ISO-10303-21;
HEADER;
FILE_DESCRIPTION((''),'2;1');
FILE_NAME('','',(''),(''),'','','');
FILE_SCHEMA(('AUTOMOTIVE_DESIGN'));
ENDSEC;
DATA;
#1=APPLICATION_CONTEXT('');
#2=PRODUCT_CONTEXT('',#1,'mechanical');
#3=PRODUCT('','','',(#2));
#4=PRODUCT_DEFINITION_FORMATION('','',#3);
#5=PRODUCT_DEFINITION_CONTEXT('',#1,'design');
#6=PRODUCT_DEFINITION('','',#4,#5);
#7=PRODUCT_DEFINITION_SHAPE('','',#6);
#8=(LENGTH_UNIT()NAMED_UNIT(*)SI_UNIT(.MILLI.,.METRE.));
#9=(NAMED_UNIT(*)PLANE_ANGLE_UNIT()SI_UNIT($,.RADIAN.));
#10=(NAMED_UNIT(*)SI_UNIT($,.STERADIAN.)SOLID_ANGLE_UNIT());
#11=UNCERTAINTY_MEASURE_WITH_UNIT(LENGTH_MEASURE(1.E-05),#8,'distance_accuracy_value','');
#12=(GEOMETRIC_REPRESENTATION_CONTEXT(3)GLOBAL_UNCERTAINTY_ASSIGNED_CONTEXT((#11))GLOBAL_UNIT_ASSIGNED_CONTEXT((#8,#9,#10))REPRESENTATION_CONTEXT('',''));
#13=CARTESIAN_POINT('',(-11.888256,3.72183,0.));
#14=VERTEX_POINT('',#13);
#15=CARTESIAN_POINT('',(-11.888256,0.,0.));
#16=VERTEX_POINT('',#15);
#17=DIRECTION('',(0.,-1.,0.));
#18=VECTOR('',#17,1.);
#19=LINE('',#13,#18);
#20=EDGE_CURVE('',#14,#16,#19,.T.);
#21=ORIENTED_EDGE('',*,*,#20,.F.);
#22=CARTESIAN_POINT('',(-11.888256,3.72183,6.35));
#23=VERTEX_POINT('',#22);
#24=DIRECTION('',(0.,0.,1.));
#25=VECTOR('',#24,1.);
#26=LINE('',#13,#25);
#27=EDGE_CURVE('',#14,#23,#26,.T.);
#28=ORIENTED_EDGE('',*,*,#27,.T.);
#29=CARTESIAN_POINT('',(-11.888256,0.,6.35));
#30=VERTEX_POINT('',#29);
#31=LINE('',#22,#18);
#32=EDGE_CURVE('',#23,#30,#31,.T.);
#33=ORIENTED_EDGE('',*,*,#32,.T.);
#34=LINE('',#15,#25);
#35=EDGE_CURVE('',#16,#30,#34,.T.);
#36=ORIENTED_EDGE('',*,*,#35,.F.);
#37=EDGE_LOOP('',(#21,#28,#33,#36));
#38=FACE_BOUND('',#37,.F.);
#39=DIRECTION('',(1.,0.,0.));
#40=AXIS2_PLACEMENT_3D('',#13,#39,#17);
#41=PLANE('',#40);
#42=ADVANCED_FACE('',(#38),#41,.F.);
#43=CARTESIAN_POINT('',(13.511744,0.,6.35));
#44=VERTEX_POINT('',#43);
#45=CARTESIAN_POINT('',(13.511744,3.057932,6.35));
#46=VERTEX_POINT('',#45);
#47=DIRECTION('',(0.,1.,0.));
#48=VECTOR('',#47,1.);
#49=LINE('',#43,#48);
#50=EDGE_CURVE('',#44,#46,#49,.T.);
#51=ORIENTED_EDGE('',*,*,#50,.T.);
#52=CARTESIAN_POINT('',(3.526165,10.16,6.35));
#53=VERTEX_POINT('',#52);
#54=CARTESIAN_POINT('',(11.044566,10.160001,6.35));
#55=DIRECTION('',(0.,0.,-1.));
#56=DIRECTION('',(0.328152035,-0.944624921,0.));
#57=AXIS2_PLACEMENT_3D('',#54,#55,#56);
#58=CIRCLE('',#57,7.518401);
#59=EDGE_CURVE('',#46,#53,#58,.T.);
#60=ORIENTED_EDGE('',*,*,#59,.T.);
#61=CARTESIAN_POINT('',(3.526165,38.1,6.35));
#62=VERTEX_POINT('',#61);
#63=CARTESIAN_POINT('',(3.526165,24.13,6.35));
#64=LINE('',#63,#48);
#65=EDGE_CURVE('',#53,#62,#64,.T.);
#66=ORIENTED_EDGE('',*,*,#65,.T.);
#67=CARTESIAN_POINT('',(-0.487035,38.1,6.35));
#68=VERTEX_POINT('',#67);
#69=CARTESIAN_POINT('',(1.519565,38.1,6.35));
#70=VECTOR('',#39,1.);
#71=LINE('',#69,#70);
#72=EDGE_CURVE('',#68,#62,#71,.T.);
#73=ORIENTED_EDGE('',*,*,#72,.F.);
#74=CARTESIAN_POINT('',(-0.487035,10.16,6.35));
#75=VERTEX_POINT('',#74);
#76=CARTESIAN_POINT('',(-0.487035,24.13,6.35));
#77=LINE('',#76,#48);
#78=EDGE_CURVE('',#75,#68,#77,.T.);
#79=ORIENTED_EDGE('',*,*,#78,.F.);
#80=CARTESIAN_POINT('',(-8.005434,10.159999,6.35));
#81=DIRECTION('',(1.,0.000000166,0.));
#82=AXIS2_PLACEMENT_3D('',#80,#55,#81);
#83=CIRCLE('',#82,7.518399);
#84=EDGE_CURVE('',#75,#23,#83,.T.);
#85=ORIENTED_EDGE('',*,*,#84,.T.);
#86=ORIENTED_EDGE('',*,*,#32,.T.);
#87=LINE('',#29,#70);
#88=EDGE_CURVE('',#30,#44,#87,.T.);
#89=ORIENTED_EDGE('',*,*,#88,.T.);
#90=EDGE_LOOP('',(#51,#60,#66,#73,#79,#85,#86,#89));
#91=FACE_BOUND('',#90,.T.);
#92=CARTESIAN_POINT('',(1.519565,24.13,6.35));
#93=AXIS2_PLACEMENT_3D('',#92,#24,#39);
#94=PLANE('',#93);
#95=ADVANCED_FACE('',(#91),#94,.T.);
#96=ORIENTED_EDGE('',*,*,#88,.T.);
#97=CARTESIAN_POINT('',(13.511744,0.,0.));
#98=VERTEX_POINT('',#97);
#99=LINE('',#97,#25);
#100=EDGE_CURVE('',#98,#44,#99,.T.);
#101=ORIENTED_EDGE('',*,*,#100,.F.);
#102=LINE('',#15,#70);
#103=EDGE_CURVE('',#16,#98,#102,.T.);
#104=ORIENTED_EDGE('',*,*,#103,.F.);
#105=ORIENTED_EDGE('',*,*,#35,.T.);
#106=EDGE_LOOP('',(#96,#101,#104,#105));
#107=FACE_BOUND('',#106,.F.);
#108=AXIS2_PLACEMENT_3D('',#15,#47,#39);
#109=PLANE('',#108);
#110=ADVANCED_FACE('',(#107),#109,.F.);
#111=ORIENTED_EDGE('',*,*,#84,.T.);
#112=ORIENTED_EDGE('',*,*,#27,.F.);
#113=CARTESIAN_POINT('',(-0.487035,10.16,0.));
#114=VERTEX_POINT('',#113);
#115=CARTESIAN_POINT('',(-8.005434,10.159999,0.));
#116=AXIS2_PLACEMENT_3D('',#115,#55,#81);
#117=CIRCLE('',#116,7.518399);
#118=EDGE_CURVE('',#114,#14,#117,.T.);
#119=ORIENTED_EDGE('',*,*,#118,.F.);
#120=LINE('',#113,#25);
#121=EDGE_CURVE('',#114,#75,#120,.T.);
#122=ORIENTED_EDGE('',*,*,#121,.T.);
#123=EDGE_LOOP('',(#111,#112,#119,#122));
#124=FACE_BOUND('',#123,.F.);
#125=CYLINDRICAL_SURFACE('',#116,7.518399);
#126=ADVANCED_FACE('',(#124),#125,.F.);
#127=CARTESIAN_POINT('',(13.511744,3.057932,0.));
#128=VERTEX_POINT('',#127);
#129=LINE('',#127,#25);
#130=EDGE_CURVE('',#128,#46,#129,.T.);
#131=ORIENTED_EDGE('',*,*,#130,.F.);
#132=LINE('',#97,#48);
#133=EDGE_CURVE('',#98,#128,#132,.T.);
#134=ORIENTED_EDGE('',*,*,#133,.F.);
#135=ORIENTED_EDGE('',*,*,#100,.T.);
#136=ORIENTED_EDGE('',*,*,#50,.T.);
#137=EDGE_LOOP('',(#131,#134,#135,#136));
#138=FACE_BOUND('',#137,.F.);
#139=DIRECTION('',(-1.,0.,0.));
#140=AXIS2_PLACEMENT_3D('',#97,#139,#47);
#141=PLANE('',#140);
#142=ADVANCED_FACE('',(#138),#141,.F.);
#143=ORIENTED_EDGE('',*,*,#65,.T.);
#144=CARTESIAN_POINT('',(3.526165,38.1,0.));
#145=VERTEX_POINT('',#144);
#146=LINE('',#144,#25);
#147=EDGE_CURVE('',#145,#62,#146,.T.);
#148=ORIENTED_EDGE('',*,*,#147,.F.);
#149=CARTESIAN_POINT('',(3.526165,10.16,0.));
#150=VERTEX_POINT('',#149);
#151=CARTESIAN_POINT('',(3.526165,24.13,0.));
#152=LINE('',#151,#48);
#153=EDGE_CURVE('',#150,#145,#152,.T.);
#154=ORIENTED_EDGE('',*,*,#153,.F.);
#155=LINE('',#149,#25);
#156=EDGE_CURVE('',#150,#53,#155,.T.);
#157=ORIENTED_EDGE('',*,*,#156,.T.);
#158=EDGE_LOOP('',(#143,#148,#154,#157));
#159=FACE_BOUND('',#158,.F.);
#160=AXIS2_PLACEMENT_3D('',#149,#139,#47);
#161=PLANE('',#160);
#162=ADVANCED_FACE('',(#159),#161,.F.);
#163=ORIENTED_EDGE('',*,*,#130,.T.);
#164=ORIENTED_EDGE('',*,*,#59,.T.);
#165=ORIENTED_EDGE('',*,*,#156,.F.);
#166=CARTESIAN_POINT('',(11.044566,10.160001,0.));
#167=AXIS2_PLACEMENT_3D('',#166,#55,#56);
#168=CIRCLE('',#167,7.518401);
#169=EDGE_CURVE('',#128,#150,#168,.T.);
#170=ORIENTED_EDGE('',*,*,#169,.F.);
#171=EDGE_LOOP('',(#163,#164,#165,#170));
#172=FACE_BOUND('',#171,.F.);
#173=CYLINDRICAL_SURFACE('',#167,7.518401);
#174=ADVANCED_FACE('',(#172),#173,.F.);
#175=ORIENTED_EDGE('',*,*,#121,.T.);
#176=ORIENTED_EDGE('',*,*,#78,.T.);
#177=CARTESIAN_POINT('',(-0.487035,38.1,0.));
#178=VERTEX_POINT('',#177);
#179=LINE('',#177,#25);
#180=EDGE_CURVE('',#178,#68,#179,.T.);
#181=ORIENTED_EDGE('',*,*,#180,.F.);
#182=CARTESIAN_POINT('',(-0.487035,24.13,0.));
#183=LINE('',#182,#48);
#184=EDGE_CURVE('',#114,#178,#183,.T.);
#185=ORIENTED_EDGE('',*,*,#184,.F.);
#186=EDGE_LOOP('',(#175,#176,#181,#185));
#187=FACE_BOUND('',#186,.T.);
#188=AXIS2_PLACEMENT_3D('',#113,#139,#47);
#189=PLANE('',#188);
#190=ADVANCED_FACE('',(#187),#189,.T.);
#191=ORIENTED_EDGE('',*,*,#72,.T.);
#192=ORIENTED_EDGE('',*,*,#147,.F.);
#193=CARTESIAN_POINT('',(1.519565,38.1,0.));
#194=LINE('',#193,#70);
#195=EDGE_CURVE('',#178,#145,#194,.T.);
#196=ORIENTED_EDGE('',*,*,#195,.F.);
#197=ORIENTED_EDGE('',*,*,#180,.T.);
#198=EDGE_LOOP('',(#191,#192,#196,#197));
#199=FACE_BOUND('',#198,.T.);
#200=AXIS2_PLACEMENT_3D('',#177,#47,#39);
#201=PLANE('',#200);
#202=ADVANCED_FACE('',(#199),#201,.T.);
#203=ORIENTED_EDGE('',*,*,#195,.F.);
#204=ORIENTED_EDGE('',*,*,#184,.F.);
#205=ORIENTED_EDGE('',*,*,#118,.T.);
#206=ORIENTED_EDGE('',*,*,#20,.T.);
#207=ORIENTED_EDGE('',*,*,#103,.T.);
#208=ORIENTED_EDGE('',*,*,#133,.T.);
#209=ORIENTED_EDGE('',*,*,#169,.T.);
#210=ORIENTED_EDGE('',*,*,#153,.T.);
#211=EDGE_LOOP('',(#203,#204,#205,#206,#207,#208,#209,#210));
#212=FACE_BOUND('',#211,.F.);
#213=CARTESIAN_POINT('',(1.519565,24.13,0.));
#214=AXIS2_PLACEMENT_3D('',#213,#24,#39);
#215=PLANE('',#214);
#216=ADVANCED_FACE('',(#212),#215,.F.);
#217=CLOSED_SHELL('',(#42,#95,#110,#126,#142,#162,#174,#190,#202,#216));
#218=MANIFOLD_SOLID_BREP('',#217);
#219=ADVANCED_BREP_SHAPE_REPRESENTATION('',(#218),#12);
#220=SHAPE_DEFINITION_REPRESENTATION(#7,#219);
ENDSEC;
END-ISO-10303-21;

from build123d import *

# Parameters (mm, degrees)
F0_W     = 4.0132
F0_H     = 27.94
F1_DEPTH = 6.35


with BuildPart() as f1:
    # F0 (on Top) → F1 (new body)
    with BuildSketch(Plane.XY):
        with Locations((1.519565, 24.13)):
            Rectangle(F0_W, F0_H)
        with BuildLine():
            Line((3.526165, 10.16), (-0.487035, 10.16))
            ThreePointArc((-0.487035, 10.16), (-4.308562, 3.613285), (-11.888256, 3.72183))
            Line((-11.888256, 3.72183), (-11.888256, 0))
            Line((-11.888256, 0), (13.511744, 0))
            Line((13.511744, 0), (13.511744, 3.057932))
            ThreePointArc((13.511744, 3.057932), (6.68698, 4.033191), (3.526165, 10.16))
        make_face()
    extrude(amount=F1_DEPTH)


solid = f1.part
